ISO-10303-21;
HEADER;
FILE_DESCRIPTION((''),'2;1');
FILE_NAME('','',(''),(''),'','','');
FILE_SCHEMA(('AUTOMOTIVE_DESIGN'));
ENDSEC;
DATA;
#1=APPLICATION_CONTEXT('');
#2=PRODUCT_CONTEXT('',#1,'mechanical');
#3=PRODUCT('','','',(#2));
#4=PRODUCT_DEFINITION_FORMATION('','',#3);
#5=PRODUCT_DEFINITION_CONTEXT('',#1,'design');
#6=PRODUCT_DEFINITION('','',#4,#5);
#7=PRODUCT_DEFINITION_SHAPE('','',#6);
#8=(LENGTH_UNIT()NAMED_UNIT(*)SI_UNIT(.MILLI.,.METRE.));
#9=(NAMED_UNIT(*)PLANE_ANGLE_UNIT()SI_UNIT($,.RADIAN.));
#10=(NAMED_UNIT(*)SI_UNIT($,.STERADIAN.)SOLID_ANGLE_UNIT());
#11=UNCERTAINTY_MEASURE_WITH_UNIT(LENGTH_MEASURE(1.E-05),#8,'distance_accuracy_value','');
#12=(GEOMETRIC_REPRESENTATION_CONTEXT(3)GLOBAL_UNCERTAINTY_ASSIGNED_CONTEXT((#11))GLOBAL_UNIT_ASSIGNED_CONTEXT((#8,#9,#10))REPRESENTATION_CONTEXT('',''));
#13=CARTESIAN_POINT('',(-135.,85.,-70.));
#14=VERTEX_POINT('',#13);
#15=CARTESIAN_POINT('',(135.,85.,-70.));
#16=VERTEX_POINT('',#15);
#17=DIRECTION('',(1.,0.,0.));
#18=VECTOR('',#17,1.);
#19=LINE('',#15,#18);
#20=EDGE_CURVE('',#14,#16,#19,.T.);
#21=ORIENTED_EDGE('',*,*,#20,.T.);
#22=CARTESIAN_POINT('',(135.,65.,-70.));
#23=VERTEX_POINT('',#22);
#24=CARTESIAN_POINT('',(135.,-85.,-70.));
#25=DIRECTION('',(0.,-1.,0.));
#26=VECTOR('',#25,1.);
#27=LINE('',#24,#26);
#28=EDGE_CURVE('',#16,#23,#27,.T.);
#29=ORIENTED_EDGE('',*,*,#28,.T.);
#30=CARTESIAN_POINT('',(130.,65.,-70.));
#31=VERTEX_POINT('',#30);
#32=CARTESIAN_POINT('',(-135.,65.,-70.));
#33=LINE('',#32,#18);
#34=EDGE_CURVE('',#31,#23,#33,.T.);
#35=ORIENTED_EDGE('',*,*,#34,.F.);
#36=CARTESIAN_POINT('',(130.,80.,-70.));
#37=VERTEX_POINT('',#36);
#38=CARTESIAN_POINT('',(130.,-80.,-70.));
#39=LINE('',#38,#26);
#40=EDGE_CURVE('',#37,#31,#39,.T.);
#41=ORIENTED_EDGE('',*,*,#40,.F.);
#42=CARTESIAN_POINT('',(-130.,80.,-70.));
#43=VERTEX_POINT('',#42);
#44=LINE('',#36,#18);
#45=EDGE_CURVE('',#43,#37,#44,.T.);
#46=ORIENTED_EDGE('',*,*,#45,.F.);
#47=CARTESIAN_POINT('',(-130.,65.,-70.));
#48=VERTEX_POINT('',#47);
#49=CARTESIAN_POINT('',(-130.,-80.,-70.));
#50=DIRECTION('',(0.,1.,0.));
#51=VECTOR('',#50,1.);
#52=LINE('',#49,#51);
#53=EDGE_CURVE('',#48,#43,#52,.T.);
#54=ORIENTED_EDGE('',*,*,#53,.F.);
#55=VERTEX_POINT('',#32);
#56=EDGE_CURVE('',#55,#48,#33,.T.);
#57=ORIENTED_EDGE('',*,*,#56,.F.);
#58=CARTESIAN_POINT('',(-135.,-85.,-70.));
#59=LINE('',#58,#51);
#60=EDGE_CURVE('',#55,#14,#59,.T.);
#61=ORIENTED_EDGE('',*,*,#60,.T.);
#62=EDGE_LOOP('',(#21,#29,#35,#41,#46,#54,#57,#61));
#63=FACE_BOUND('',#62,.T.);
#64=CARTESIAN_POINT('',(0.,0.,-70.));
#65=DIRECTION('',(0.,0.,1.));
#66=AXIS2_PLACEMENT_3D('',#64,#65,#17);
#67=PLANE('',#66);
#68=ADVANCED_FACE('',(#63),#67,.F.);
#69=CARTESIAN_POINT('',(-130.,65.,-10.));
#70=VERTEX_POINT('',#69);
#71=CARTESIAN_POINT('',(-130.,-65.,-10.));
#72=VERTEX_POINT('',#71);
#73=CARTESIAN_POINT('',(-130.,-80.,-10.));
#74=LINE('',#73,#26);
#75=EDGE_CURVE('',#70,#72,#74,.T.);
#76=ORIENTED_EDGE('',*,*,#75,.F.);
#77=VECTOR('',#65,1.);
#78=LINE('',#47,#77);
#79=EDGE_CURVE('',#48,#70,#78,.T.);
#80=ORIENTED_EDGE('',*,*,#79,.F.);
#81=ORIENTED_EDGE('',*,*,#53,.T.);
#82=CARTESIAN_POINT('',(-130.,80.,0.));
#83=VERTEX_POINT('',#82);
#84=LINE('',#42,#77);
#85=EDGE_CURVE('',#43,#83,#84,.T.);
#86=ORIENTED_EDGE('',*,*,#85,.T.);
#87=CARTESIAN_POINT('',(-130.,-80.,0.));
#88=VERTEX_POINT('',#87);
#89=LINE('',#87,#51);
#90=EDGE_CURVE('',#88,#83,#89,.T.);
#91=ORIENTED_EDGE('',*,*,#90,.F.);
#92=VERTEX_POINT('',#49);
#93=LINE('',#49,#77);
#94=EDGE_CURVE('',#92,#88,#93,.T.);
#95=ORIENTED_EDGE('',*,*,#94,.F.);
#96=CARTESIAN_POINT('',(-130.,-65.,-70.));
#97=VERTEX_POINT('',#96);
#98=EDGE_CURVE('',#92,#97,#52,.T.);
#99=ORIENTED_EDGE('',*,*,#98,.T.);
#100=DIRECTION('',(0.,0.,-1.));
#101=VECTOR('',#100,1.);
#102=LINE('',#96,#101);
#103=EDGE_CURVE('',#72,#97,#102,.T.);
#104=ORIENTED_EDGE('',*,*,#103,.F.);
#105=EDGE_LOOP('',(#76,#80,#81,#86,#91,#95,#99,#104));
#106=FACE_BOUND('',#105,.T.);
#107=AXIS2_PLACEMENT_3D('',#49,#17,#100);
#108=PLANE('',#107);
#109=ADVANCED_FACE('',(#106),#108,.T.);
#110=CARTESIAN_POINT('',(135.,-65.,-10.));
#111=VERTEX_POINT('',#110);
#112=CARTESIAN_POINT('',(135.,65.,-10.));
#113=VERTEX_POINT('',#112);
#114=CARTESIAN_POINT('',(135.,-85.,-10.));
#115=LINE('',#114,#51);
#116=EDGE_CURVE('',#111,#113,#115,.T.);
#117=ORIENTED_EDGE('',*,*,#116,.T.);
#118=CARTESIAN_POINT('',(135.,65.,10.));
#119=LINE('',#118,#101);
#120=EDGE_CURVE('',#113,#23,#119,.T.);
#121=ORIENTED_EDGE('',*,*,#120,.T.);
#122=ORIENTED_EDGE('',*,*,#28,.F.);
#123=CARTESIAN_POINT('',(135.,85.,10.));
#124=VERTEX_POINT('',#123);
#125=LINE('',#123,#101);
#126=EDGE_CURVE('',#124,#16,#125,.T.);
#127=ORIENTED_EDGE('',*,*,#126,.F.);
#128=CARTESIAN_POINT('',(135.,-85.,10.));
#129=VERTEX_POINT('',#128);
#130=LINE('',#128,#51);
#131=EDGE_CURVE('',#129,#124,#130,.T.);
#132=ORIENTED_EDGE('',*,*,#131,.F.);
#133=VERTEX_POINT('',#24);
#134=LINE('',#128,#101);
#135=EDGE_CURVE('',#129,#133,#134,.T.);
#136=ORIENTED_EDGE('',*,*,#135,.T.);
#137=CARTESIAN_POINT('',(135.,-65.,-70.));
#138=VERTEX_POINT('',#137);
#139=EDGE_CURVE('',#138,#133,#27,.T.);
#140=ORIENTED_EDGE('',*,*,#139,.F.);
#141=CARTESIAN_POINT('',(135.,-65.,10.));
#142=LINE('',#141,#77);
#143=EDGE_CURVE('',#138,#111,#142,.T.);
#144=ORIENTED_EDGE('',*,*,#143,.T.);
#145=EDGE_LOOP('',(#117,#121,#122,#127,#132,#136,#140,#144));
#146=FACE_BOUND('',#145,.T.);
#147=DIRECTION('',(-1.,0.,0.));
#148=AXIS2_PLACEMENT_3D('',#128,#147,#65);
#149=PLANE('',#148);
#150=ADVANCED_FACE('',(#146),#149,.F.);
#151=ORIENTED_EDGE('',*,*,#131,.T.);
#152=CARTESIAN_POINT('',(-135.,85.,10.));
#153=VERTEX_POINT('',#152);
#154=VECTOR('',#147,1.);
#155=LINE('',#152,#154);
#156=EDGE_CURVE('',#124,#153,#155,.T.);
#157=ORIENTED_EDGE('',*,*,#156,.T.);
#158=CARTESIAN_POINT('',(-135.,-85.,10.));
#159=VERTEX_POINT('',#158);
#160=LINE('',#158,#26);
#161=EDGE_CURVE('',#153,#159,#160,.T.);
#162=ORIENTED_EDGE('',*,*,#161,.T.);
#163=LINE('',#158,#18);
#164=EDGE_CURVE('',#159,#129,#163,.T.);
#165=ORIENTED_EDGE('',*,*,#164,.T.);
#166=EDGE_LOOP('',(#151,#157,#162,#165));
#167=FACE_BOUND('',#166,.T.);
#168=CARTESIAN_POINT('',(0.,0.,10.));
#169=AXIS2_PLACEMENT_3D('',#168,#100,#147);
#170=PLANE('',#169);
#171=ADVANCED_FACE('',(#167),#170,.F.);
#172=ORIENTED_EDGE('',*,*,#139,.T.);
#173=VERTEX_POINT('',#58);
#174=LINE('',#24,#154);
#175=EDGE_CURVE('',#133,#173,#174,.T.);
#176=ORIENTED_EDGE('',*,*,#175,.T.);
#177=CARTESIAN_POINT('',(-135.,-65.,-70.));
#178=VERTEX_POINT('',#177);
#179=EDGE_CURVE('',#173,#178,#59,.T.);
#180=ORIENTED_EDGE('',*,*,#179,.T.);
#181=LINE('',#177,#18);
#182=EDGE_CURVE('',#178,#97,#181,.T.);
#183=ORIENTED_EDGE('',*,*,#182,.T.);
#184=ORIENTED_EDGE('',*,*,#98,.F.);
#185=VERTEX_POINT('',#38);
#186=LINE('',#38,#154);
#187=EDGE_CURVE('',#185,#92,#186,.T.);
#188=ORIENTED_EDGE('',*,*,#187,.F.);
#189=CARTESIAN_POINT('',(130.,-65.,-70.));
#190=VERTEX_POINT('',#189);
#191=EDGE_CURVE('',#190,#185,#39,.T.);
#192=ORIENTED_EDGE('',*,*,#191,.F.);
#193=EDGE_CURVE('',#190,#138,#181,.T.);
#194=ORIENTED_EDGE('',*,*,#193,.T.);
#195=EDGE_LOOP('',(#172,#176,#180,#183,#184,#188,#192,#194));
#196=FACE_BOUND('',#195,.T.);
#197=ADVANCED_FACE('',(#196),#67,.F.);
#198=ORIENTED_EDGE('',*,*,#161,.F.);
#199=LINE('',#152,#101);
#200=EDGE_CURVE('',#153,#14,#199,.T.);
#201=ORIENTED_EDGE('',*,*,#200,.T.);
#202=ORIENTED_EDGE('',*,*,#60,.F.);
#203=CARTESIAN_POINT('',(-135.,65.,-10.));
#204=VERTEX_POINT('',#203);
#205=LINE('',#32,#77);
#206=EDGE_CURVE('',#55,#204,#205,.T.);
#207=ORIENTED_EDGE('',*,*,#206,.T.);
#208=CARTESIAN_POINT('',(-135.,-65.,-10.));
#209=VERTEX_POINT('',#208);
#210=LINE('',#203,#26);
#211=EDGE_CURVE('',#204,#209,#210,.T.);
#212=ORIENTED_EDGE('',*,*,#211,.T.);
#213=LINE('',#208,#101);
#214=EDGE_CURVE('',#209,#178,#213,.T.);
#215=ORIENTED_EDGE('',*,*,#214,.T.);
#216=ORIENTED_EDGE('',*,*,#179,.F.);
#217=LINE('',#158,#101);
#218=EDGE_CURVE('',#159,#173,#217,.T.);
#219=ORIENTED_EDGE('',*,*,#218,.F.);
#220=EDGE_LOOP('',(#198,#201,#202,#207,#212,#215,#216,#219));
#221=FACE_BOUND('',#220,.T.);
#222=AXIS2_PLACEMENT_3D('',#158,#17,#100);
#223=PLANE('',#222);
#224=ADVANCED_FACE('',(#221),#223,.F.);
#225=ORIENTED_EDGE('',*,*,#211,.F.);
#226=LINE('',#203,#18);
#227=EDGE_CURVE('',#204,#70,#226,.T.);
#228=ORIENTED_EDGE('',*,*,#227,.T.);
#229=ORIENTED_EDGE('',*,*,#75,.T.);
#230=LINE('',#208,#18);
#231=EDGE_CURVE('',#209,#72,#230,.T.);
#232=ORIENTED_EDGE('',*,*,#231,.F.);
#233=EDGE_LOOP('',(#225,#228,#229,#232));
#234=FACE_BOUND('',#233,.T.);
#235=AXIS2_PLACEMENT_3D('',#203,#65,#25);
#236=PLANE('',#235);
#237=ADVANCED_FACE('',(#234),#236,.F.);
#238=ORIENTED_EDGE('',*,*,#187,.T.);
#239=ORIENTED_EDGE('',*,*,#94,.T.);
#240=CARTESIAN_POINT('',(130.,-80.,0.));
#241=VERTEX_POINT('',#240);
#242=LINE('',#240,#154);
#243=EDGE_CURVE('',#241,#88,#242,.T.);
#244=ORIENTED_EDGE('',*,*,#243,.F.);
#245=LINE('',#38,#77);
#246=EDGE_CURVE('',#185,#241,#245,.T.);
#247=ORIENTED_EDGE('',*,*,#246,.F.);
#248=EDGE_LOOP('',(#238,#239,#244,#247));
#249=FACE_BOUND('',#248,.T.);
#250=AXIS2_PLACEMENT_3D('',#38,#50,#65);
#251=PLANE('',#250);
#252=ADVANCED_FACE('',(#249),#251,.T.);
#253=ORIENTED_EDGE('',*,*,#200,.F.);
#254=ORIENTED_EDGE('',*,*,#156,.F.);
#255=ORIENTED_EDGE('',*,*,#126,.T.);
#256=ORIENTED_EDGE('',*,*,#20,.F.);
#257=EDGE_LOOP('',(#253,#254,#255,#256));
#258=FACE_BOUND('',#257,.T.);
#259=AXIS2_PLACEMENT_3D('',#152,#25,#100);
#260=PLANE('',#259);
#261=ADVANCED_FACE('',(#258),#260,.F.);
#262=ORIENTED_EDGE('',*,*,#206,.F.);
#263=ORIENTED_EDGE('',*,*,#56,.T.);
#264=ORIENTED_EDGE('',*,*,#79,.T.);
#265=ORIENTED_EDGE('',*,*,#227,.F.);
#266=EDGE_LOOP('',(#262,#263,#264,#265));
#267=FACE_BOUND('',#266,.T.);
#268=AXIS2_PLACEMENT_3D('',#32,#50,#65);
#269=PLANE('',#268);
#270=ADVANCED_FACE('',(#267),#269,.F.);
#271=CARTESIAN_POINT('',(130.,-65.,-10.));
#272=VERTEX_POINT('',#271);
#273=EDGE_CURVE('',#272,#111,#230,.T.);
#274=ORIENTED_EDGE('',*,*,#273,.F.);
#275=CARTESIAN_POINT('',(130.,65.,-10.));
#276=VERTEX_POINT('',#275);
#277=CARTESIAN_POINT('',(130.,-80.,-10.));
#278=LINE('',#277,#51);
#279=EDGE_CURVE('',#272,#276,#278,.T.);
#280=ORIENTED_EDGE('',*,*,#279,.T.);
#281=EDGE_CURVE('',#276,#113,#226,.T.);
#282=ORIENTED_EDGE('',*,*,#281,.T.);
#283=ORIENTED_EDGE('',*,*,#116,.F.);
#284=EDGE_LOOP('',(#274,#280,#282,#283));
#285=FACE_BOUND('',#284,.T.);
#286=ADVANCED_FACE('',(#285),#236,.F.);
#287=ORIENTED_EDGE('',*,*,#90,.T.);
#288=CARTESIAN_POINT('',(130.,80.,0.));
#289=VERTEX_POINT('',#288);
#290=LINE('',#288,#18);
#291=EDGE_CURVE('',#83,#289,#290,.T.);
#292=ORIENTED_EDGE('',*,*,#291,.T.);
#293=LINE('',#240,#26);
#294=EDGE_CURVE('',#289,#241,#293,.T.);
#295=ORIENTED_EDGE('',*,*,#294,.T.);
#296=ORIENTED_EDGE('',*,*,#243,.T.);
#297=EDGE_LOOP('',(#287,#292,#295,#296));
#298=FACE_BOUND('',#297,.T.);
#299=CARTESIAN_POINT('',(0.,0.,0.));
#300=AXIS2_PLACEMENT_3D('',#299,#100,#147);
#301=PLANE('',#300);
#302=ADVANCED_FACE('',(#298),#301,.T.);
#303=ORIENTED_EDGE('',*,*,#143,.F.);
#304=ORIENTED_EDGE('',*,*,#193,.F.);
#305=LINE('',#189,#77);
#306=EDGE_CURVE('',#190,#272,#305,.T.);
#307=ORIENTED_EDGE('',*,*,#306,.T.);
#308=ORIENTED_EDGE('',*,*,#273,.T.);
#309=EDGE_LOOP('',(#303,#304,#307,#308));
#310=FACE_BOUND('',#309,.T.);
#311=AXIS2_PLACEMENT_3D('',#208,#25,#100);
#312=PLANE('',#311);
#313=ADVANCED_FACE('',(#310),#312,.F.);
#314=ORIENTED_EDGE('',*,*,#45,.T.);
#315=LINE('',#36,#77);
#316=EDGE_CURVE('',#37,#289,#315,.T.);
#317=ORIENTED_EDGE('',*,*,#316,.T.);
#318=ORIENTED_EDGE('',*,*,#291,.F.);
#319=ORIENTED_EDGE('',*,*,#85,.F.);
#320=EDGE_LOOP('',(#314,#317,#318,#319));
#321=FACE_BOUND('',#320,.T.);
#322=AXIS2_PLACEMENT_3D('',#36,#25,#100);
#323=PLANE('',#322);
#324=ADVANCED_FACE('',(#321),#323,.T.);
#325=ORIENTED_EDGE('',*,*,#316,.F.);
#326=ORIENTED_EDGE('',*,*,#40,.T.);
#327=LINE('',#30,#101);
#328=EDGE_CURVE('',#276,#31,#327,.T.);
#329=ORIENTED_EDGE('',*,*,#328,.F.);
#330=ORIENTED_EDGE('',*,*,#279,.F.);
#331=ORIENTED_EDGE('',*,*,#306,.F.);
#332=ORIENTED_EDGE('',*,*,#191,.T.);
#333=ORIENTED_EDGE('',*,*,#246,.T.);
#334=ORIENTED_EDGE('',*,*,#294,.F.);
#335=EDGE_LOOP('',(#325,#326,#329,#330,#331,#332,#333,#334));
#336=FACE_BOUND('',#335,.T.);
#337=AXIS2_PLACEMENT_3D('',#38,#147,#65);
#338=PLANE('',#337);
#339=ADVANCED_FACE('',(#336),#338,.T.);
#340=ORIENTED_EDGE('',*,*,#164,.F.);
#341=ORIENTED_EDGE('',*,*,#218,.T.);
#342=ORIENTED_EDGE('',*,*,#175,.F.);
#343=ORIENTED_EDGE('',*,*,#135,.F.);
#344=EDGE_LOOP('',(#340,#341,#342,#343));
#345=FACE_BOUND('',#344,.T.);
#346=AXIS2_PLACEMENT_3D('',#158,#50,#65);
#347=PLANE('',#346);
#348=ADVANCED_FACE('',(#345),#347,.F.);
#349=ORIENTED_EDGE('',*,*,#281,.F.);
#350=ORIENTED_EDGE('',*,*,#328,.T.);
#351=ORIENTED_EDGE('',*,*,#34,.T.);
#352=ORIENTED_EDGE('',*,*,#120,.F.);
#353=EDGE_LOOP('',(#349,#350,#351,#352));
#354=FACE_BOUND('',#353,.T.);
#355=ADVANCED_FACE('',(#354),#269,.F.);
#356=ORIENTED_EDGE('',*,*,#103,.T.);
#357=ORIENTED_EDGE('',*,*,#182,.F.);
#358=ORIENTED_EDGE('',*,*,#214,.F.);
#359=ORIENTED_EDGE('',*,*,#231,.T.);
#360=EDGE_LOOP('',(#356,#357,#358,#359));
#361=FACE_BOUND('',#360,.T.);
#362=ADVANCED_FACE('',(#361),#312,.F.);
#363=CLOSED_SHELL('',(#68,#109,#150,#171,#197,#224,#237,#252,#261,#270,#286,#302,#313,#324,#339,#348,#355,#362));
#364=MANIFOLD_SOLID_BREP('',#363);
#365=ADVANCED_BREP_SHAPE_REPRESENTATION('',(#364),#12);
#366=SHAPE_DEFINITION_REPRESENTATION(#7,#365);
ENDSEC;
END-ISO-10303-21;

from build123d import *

# Parameters (mm, degrees)
SKETCH_1_W               = 270
SKETCH_1_H               = 170
EXTRUDE_1_DEPTH          = 10
SKETCH_3_W               = 270
SKETCH_3_H               = 170
SKETCH_3_W_2             = 260
SKETCH_3_H_2             = 160
EXTRUDE_2_DEPTH          = 70
CUT_EXTRUDE_1_DEPTH      = 292.590466236
CUT_EXTRUDE_1_DEPTH_BACK = 292.590466236
SKETCH_4_W               = 60
SKETCH_4_H               = 130


with BuildPart() as part:
    # 草图1 → 凸台-拉伸1 (new body)
    with BuildSketch(Plane.XY):
        Rectangle(SKETCH_1_W, SKETCH_1_H)
    extrude(amount=EXTRUDE_1_DEPTH)

    # 草图3 → 凸台-拉伸2 (add)
    with BuildSketch(Plane(origin=(0, 0, 0), x_dir=(-1, 0, 0), z_dir=(0, 0, -1))):
        Rectangle(SKETCH_3_W, SKETCH_3_H)
        Rectangle(SKETCH_3_W_2, SKETCH_3_H_2, mode=Mode.SUBTRACT)
    extrude(amount=EXTRUDE_2_DEPTH)

    # 草图4 → 切除-拉伸1 (cut, two sides: drawn at the far end of the back side and taken through both)
    with BuildSketch(Plane(origin=(135, 0, 0), x_dir=(0, 0, -1), z_dir=(1, 0, 0)).offset(-CUT_EXTRUDE_1_DEPTH_BACK)):
        with Locations((40, 0)):
            Rectangle(SKETCH_4_W, SKETCH_4_H)
    extrude(amount=CUT_EXTRUDE_1_DEPTH + CUT_EXTRUDE_1_DEPTH_BACK, mode=Mode.SUBTRACT)


solid = part.part
